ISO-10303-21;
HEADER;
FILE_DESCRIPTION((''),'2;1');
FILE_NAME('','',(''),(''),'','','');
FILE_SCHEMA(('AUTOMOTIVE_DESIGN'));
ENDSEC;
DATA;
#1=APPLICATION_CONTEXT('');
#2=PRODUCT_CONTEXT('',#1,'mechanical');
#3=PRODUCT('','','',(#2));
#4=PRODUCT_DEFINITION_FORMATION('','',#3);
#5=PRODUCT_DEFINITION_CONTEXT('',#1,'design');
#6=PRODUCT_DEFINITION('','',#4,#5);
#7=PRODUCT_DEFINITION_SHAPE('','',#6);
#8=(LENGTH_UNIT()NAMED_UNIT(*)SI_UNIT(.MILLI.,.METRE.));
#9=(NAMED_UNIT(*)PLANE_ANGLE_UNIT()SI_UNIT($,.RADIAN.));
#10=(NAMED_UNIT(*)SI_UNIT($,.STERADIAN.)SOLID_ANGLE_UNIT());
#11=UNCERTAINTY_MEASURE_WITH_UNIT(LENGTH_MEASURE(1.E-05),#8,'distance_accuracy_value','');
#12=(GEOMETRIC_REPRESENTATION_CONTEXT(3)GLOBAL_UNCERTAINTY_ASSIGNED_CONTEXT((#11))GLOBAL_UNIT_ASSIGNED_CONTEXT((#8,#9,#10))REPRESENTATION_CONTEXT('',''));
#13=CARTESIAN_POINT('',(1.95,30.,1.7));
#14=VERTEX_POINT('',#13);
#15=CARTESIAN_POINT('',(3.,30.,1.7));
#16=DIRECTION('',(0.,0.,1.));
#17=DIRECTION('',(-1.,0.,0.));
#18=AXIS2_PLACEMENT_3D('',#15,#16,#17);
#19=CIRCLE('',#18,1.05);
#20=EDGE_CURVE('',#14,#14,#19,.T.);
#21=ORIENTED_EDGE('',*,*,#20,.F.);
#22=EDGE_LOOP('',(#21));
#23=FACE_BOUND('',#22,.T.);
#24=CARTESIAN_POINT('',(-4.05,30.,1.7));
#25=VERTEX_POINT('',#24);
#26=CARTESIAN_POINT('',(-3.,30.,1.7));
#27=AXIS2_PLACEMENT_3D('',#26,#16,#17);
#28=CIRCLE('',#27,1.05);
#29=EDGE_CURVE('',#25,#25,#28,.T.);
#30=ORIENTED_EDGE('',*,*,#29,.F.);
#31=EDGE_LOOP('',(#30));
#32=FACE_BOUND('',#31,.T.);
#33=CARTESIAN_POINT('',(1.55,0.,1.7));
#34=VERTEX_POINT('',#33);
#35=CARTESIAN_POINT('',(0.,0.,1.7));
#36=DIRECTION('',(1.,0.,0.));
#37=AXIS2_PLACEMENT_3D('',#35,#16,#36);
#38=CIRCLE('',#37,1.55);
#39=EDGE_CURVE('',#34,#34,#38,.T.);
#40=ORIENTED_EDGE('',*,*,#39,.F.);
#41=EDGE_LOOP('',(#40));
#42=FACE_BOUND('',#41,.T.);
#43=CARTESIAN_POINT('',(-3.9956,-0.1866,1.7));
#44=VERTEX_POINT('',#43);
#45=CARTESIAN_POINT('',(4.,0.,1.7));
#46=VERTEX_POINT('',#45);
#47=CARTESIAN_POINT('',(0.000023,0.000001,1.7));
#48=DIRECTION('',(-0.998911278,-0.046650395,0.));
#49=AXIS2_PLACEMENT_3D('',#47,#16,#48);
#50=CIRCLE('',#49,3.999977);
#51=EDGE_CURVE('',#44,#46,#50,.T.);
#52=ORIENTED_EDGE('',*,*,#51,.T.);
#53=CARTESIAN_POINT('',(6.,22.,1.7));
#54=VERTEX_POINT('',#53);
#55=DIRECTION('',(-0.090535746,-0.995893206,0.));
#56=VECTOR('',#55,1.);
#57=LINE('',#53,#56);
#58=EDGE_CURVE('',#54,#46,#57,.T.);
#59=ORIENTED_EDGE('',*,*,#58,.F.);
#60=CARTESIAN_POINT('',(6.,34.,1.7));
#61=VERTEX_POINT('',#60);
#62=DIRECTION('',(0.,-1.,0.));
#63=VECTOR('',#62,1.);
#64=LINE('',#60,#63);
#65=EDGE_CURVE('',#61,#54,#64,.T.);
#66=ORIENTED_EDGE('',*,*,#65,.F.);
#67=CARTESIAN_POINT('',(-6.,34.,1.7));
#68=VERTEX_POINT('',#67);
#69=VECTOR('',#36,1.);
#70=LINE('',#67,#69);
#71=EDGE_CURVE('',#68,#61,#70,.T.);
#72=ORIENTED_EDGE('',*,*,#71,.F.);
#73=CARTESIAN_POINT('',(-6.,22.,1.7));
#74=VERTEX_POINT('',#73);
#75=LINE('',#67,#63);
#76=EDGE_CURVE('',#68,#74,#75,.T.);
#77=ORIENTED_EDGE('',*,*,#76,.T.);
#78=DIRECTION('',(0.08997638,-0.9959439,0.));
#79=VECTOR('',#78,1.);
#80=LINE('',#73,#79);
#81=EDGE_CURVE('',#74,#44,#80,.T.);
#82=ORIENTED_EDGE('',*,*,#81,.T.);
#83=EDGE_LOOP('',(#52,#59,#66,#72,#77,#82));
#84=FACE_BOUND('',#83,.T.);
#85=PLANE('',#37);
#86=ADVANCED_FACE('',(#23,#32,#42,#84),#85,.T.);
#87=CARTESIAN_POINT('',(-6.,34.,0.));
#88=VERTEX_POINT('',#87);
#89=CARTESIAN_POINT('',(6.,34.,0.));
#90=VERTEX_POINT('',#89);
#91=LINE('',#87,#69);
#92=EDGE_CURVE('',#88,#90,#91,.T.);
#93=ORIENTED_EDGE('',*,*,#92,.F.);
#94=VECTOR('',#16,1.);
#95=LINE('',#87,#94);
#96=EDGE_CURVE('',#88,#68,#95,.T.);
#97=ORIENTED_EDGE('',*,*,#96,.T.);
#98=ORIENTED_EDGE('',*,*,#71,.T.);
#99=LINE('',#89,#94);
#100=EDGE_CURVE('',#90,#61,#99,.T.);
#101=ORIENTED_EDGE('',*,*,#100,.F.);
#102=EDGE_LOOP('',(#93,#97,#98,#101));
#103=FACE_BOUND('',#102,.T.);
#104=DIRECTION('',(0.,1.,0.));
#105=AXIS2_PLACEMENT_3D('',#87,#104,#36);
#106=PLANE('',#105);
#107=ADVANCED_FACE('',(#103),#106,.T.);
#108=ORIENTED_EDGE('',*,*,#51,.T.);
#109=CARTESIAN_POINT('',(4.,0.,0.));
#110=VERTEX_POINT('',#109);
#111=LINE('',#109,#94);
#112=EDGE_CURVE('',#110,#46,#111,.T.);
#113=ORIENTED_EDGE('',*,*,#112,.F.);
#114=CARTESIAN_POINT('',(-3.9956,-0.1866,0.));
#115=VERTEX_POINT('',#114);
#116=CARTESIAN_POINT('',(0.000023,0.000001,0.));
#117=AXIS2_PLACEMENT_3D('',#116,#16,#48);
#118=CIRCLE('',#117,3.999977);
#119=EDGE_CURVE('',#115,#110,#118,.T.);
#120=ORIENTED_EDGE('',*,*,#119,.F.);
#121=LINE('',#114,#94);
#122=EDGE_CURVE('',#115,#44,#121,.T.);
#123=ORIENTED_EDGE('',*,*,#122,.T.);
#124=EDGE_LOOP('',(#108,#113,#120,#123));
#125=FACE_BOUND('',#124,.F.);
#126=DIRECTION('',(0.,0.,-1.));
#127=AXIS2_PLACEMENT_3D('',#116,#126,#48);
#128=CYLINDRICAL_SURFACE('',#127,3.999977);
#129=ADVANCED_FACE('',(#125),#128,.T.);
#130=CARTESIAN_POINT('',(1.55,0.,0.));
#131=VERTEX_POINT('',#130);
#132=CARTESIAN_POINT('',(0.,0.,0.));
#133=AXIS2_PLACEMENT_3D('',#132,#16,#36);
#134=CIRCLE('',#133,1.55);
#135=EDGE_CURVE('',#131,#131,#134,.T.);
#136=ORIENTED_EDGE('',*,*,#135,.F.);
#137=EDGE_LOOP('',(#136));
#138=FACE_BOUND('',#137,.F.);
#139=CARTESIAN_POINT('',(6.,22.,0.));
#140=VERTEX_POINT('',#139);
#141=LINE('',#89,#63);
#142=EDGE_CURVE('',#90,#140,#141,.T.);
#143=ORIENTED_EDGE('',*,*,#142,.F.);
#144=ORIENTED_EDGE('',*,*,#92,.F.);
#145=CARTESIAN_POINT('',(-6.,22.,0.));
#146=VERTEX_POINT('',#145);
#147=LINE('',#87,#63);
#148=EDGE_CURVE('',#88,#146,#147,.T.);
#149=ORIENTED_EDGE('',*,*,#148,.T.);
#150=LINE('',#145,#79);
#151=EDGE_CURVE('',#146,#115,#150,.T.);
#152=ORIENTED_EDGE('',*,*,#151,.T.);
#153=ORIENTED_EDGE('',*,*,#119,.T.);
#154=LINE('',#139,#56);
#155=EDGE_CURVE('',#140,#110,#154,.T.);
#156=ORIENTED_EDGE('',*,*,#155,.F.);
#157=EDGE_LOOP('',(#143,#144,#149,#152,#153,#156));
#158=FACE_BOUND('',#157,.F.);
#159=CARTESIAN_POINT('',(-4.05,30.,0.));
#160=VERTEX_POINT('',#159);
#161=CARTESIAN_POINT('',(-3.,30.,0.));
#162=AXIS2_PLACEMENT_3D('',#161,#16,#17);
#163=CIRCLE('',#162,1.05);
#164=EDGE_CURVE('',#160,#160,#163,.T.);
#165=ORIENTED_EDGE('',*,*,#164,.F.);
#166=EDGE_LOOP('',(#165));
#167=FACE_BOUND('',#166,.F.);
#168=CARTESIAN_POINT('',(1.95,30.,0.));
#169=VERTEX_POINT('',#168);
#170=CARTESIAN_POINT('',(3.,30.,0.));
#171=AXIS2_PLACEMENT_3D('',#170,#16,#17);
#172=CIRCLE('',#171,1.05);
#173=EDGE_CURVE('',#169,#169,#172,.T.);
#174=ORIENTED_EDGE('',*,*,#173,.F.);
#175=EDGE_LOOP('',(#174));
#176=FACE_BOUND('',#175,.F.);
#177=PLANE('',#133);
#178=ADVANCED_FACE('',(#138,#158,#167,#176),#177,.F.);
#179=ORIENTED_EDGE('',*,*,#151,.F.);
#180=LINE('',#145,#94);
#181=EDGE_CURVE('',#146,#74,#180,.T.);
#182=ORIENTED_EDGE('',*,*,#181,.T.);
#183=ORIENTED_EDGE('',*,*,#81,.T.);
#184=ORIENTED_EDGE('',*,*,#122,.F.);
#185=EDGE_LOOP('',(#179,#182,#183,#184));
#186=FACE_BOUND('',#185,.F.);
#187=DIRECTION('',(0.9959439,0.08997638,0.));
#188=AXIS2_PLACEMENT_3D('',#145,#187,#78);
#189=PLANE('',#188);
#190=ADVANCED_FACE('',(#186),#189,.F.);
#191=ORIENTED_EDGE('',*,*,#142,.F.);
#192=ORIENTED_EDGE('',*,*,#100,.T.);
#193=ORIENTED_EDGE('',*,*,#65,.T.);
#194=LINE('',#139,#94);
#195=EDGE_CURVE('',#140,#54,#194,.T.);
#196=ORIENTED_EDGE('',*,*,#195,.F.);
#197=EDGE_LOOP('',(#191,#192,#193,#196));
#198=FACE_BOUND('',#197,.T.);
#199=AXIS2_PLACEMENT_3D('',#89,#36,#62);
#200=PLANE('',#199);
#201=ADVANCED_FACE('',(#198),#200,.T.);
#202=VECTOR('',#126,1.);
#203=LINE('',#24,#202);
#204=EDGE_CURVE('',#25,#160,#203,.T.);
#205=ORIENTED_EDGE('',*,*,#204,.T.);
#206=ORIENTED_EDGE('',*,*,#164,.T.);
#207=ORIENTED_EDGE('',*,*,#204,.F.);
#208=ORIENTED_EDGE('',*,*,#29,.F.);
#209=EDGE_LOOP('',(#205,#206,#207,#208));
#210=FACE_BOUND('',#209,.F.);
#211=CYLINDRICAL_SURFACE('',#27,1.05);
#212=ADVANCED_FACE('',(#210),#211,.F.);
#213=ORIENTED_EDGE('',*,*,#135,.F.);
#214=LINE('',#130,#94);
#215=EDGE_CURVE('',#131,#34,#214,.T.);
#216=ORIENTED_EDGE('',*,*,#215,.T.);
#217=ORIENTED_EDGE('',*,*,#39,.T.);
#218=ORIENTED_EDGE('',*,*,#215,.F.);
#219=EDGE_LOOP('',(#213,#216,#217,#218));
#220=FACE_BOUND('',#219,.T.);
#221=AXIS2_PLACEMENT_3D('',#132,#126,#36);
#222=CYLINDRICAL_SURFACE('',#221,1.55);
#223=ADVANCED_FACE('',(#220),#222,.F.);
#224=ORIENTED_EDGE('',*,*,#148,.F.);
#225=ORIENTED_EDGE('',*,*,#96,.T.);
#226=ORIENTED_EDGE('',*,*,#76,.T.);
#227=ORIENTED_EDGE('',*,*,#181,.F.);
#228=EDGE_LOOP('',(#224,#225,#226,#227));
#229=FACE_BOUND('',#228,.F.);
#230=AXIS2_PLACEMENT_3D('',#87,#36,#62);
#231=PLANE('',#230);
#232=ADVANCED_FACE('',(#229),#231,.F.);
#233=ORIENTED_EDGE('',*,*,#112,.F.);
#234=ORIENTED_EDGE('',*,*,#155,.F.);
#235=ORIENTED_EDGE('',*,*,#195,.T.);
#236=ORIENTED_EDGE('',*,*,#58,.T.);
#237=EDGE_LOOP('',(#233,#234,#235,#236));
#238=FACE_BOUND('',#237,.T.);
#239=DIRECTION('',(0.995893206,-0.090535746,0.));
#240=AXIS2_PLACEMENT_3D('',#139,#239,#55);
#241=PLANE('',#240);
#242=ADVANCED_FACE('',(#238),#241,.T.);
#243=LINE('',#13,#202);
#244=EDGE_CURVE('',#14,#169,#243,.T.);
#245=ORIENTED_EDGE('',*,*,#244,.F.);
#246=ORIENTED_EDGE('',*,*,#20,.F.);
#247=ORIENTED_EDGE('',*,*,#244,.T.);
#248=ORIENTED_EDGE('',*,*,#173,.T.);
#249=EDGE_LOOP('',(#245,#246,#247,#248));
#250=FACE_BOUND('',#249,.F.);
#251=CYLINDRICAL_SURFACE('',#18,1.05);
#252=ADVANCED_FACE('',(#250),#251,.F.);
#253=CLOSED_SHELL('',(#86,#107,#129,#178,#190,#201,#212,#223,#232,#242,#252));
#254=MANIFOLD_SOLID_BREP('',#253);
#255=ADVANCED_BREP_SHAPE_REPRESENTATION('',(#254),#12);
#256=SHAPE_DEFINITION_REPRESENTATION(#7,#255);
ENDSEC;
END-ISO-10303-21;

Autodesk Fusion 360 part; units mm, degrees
sketch "Main" plane through (0, 0, 0) normal (0, 0, 1) x (1, 0, 0)
  line L0 (-6, 34) -> (6, 34)
  arc A0 (-3.9956, -0.1866) -> (4, 0) centre (0, 0) ccw
  line L1 (-6, 22) -> (-3.9956, -0.1866)
  circle A1 centre (0, 0) radius 1.55
  line L2 (6, 34) -> (6, 22)
  line L3 (-6, 34) -> (-6, 22)
  line L4 (6, 22) -> (4, 0)
  dimension "d1" = 4
  dimension "d2" = 3.1
  dimension "d3" = 12
  dimension "d4" = 6
  dimension "d5" = 12
  dimension "d6" = 12
  dimension "d7" = 34
extrude "Extrude1" add sketch "Main" along normal blind 1.7
sketch "Holes" plane through (0, 0, 1.7) normal (0, 0, 1) x (-1, 0, 0)
  circle A0 centre (0, 0) radius 1.55
  line L0 (6, -34) -> (6, -22)
  line L1 (6, -22) -> (3.9956, 0.1866)
  arc A1 (3.9956, 0.1866) -> (-4, 0) centre (0, 0) ccw
  line L2 (-4, 0) -> (-6, -22)
  line L3 (-6, -22) -> (-6, -34)
  line L4 (-6, -34) -> (6, -34)
  line L5 (6, -30) -> (-6, -30) construction
  circle A2 centre (3, -30) radius 1.05
  circle A3 centre (-3, -30) radius 1.05
  dimension "d10" = 4
  dimension "d11" = 2.1
  dimension "d12" = 2.1
  dimension "d13" = 6
  dimension "d14" = 3
extrude "Extrude2" cut sketch "Holes" against normal up to surface (1.7 mm away) contours A2 | A3
